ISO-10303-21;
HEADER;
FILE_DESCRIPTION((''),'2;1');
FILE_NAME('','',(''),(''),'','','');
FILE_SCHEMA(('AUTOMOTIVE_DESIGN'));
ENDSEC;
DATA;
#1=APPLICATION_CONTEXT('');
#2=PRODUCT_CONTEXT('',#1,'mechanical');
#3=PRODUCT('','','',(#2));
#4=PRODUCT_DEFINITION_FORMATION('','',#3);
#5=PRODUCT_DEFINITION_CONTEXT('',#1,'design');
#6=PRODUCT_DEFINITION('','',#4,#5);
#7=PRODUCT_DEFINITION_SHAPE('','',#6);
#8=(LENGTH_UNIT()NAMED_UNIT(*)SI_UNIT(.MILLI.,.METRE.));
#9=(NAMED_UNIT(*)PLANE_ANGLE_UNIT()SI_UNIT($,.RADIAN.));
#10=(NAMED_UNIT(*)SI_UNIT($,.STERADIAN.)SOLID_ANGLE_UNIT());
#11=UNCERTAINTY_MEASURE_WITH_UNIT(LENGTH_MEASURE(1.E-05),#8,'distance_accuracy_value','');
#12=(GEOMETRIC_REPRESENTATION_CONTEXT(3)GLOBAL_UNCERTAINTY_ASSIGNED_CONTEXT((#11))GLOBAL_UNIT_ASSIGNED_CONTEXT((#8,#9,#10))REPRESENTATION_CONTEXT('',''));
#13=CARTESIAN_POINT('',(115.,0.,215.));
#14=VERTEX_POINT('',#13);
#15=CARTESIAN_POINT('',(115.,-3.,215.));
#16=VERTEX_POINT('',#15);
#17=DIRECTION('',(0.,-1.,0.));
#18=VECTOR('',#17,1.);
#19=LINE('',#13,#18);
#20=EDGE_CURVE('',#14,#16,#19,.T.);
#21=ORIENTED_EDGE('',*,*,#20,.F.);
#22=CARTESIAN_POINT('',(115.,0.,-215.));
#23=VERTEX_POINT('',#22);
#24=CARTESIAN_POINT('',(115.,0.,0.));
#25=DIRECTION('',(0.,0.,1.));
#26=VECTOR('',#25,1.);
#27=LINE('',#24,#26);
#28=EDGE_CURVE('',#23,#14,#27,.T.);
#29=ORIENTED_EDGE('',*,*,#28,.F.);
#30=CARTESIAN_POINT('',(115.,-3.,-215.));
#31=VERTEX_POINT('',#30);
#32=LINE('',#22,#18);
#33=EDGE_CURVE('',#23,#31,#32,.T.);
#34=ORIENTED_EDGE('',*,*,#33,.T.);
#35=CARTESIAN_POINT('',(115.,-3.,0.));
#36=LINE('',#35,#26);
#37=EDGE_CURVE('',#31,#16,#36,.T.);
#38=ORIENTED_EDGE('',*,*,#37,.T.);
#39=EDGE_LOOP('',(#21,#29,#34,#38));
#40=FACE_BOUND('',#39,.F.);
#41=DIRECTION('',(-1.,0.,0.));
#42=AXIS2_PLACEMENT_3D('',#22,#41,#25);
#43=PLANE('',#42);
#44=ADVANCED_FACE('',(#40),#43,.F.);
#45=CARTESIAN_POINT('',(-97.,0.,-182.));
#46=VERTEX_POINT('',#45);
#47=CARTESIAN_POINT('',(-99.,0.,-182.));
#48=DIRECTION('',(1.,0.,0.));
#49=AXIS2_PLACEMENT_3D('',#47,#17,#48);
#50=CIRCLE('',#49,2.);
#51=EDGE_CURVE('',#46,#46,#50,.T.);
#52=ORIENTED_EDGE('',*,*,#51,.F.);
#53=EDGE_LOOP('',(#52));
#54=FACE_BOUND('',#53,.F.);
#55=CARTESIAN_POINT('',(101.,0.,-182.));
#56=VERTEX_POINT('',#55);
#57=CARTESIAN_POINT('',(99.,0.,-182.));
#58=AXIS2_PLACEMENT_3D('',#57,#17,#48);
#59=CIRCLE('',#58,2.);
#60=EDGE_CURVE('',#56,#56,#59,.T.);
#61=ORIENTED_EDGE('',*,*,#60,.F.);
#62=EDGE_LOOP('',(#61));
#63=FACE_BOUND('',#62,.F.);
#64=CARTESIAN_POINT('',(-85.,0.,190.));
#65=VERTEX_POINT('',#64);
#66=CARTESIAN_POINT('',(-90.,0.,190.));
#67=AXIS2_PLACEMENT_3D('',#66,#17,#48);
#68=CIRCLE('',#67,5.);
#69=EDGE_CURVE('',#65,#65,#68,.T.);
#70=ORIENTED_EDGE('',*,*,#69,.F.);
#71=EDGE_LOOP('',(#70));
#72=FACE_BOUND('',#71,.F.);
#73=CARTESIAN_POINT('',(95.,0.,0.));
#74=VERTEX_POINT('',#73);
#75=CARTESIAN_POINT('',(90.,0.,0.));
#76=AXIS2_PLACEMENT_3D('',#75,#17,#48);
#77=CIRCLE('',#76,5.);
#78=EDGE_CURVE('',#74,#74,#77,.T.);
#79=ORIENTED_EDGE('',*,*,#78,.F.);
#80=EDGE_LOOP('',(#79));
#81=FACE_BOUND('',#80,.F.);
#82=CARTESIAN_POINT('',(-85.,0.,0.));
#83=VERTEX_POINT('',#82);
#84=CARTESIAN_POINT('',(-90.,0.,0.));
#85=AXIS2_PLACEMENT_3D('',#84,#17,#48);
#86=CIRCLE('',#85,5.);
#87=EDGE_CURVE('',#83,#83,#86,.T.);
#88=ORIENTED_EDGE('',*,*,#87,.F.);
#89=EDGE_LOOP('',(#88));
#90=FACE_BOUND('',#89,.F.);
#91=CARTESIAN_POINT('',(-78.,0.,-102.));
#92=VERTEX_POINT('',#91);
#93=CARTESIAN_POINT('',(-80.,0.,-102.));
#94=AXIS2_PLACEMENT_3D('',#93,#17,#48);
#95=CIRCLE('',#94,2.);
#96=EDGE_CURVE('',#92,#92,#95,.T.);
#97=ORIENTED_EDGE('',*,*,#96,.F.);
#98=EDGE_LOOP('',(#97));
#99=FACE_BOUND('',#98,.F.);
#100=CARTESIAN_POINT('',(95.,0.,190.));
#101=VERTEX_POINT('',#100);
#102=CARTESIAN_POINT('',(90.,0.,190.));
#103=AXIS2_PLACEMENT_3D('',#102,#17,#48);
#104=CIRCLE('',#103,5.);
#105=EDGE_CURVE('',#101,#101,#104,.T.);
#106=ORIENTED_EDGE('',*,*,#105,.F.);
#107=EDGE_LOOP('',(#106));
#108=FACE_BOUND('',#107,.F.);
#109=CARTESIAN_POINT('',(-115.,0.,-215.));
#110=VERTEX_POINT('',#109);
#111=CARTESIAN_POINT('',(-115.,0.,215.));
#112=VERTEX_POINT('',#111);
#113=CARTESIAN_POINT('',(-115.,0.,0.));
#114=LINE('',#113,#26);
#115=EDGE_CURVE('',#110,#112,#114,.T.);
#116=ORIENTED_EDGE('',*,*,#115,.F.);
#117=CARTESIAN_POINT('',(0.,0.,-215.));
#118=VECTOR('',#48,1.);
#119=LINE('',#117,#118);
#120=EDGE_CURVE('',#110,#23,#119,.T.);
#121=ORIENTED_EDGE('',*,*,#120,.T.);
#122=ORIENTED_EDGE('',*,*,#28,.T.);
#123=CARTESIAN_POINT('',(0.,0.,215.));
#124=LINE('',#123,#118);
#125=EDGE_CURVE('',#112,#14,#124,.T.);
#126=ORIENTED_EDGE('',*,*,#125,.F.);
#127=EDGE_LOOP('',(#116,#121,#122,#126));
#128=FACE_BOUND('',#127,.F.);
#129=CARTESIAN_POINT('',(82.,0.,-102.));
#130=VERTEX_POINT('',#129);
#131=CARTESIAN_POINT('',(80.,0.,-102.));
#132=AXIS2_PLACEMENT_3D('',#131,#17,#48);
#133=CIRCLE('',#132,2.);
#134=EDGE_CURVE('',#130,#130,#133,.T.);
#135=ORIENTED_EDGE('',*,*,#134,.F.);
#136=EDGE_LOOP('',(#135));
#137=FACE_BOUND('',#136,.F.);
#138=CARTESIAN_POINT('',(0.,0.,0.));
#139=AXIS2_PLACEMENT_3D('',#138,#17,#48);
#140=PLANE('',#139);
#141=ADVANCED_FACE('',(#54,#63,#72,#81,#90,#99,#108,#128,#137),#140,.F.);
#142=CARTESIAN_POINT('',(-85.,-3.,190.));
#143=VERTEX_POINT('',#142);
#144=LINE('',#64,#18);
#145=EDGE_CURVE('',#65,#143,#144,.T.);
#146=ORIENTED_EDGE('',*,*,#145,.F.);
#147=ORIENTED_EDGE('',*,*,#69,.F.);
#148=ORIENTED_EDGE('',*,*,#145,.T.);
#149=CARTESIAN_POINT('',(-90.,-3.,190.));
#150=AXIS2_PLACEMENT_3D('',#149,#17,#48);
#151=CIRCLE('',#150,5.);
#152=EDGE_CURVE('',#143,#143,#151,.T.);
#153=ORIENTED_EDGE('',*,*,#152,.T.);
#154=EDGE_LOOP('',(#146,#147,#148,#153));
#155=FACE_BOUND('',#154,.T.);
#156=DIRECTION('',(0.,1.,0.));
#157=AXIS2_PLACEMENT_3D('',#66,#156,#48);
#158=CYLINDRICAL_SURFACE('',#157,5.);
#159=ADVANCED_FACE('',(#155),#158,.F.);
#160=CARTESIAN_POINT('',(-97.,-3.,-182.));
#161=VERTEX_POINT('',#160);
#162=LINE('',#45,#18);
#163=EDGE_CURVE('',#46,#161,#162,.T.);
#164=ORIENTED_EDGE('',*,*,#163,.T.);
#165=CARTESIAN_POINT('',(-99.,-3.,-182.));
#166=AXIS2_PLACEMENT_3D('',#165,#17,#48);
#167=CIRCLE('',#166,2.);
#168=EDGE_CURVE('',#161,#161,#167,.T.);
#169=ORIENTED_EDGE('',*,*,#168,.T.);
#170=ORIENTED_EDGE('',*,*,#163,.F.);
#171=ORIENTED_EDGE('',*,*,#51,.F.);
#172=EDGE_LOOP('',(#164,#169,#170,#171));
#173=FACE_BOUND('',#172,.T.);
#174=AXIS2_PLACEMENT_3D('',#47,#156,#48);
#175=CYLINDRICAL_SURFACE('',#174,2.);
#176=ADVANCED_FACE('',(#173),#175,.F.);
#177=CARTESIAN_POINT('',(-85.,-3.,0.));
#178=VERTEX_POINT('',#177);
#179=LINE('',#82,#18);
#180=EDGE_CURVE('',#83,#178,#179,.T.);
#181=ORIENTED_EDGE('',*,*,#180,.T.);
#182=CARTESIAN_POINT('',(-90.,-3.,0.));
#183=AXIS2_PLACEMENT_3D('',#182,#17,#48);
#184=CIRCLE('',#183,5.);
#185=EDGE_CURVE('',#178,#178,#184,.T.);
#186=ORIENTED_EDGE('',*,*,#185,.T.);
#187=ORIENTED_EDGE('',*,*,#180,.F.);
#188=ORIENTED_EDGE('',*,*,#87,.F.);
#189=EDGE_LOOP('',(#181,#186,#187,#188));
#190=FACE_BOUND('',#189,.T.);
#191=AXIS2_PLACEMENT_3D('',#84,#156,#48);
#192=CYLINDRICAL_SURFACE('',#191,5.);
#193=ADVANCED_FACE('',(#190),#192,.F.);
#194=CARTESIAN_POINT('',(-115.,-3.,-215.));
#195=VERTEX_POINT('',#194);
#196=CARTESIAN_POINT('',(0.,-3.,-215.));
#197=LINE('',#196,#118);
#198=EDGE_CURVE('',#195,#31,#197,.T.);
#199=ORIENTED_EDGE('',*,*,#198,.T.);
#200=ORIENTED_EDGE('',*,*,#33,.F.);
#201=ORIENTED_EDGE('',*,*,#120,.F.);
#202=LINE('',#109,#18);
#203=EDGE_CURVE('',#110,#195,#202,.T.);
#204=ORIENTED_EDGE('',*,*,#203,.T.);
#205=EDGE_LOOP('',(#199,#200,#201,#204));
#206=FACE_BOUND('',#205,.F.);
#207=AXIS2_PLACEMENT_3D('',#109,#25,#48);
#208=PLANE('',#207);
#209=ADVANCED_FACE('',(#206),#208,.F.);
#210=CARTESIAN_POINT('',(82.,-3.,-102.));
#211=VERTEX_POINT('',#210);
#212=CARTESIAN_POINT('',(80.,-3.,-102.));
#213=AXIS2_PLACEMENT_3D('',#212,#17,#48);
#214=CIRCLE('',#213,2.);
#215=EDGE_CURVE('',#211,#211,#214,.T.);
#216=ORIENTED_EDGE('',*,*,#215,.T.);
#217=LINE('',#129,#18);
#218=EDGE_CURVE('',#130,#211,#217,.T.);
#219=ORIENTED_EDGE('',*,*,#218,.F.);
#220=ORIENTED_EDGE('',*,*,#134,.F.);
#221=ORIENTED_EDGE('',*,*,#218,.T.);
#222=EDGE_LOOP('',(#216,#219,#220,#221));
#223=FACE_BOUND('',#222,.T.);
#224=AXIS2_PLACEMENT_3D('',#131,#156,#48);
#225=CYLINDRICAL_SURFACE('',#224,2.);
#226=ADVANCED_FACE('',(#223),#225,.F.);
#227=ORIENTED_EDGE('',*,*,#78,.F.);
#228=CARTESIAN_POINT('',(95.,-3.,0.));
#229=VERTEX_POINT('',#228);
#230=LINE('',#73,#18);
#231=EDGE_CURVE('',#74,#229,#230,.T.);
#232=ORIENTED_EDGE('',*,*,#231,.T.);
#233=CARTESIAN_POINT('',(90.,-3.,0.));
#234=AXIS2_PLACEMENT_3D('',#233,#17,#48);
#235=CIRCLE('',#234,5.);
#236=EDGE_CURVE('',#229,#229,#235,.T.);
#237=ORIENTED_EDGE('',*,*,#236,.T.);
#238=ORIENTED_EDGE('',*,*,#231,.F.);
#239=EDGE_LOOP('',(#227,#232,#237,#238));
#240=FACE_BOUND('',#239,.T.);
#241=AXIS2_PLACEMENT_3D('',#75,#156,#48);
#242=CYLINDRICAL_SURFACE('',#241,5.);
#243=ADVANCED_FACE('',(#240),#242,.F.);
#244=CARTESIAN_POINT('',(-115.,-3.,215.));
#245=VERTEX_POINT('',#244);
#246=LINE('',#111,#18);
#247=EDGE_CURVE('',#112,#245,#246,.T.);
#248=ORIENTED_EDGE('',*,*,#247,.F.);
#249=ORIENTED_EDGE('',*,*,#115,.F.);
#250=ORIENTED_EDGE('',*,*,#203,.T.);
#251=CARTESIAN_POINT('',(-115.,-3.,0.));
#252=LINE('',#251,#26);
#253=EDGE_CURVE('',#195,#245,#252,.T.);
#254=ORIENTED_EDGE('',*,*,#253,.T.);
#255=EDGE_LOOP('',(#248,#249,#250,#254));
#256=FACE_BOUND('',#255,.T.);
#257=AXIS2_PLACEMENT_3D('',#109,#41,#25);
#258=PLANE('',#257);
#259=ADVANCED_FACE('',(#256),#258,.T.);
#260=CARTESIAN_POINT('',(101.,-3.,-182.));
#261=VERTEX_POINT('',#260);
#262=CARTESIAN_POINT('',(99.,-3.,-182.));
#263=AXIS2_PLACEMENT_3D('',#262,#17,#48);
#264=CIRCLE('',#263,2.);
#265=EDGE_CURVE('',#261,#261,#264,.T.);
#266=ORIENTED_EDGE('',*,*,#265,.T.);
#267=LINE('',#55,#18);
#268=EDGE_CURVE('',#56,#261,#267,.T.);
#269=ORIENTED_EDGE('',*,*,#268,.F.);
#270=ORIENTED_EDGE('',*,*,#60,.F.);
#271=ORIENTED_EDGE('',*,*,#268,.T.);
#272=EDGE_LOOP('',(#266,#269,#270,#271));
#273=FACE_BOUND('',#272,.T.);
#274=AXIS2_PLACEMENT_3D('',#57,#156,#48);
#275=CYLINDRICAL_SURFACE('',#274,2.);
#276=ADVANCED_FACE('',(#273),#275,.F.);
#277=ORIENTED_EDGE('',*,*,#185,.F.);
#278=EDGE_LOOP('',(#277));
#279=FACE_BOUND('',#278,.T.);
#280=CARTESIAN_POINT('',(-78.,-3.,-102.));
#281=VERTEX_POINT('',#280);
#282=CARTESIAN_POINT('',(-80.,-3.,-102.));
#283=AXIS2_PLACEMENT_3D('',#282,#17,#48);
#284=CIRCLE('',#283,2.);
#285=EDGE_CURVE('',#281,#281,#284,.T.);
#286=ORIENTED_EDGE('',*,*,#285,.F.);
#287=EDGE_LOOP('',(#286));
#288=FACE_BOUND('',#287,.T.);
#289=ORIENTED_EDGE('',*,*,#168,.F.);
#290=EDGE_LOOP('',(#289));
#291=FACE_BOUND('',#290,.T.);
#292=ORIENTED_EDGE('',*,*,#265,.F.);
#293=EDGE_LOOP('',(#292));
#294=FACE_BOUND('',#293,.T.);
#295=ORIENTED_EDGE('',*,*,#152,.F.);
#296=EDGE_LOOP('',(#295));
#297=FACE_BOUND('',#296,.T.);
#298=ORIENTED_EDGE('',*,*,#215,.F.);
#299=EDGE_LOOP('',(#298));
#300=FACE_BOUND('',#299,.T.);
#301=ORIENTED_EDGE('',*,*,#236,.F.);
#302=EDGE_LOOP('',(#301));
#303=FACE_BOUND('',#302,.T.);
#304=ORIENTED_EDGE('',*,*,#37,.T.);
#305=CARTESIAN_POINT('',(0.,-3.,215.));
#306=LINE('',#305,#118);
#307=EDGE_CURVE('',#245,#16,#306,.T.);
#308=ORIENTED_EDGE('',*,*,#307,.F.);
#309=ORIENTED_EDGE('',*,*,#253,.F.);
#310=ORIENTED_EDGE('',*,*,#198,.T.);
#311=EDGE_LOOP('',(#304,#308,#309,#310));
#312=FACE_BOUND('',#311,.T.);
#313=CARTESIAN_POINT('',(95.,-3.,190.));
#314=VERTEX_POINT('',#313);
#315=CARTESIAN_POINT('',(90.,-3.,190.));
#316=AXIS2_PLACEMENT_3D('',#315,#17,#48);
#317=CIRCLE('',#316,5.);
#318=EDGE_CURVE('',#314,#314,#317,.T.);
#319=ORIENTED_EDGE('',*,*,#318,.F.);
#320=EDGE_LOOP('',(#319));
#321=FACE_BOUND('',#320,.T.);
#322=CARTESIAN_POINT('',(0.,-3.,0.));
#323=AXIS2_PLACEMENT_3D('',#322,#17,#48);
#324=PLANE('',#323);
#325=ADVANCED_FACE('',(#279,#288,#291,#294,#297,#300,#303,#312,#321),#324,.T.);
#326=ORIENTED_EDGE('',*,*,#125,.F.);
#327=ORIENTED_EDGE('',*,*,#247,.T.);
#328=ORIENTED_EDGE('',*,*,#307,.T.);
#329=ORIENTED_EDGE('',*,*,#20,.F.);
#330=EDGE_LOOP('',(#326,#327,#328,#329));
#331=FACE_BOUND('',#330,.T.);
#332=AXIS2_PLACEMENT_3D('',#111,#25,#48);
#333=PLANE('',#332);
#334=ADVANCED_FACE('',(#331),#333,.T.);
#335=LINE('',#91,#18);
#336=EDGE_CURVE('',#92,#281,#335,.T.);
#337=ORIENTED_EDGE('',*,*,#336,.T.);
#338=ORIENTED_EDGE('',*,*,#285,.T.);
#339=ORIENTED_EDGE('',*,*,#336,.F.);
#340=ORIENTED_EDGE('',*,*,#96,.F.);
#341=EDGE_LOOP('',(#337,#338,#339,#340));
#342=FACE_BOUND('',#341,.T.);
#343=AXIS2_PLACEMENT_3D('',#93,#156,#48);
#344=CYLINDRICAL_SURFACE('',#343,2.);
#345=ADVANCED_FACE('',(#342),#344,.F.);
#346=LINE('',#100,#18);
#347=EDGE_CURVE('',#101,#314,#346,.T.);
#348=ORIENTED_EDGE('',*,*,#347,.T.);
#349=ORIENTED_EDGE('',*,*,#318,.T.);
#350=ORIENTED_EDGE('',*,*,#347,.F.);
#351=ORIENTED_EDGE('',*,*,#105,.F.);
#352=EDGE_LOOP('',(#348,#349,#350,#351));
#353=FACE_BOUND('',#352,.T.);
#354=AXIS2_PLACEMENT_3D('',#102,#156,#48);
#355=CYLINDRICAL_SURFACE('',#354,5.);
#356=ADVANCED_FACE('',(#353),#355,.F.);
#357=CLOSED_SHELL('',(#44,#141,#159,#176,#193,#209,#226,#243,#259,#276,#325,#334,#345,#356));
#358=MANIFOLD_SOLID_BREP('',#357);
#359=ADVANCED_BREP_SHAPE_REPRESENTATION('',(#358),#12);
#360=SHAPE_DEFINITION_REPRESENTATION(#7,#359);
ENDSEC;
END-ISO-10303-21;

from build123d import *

# Parameters (mm, degrees)
F0_W     = 230
F0_H     = 430
F0_R     = 2
F0_R_2   = 5
F1_DEPTH = 3


with BuildPart() as f1:
    # F0 (on Front) → F1 (new body)
    with BuildSketch(Plane.XZ):
        Rectangle(F0_W, F0_H)
        with Locations((-99, -182)):
            Circle(F0_R, mode=Mode.SUBTRACT)
        with Locations((-80, -102)):
            Circle(F0_R, mode=Mode.SUBTRACT)
        with Locations((99, -182)):
            Circle(F0_R, mode=Mode.SUBTRACT)
        with Locations((80, -102)):
            Circle(F0_R, mode=Mode.SUBTRACT)
        with Locations((-90, 0)):
            Circle(F0_R_2, mode=Mode.SUBTRACT)
        with Locations((-90, 190)):
            Circle(F0_R_2, mode=Mode.SUBTRACT)
        with Locations((90, 0)):
            Circle(F0_R_2, mode=Mode.SUBTRACT)
        with Locations((90, 190)):
            Circle(F0_R_2, mode=Mode.SUBTRACT)
    extrude(amount=F1_DEPTH)


solid = f1.part
